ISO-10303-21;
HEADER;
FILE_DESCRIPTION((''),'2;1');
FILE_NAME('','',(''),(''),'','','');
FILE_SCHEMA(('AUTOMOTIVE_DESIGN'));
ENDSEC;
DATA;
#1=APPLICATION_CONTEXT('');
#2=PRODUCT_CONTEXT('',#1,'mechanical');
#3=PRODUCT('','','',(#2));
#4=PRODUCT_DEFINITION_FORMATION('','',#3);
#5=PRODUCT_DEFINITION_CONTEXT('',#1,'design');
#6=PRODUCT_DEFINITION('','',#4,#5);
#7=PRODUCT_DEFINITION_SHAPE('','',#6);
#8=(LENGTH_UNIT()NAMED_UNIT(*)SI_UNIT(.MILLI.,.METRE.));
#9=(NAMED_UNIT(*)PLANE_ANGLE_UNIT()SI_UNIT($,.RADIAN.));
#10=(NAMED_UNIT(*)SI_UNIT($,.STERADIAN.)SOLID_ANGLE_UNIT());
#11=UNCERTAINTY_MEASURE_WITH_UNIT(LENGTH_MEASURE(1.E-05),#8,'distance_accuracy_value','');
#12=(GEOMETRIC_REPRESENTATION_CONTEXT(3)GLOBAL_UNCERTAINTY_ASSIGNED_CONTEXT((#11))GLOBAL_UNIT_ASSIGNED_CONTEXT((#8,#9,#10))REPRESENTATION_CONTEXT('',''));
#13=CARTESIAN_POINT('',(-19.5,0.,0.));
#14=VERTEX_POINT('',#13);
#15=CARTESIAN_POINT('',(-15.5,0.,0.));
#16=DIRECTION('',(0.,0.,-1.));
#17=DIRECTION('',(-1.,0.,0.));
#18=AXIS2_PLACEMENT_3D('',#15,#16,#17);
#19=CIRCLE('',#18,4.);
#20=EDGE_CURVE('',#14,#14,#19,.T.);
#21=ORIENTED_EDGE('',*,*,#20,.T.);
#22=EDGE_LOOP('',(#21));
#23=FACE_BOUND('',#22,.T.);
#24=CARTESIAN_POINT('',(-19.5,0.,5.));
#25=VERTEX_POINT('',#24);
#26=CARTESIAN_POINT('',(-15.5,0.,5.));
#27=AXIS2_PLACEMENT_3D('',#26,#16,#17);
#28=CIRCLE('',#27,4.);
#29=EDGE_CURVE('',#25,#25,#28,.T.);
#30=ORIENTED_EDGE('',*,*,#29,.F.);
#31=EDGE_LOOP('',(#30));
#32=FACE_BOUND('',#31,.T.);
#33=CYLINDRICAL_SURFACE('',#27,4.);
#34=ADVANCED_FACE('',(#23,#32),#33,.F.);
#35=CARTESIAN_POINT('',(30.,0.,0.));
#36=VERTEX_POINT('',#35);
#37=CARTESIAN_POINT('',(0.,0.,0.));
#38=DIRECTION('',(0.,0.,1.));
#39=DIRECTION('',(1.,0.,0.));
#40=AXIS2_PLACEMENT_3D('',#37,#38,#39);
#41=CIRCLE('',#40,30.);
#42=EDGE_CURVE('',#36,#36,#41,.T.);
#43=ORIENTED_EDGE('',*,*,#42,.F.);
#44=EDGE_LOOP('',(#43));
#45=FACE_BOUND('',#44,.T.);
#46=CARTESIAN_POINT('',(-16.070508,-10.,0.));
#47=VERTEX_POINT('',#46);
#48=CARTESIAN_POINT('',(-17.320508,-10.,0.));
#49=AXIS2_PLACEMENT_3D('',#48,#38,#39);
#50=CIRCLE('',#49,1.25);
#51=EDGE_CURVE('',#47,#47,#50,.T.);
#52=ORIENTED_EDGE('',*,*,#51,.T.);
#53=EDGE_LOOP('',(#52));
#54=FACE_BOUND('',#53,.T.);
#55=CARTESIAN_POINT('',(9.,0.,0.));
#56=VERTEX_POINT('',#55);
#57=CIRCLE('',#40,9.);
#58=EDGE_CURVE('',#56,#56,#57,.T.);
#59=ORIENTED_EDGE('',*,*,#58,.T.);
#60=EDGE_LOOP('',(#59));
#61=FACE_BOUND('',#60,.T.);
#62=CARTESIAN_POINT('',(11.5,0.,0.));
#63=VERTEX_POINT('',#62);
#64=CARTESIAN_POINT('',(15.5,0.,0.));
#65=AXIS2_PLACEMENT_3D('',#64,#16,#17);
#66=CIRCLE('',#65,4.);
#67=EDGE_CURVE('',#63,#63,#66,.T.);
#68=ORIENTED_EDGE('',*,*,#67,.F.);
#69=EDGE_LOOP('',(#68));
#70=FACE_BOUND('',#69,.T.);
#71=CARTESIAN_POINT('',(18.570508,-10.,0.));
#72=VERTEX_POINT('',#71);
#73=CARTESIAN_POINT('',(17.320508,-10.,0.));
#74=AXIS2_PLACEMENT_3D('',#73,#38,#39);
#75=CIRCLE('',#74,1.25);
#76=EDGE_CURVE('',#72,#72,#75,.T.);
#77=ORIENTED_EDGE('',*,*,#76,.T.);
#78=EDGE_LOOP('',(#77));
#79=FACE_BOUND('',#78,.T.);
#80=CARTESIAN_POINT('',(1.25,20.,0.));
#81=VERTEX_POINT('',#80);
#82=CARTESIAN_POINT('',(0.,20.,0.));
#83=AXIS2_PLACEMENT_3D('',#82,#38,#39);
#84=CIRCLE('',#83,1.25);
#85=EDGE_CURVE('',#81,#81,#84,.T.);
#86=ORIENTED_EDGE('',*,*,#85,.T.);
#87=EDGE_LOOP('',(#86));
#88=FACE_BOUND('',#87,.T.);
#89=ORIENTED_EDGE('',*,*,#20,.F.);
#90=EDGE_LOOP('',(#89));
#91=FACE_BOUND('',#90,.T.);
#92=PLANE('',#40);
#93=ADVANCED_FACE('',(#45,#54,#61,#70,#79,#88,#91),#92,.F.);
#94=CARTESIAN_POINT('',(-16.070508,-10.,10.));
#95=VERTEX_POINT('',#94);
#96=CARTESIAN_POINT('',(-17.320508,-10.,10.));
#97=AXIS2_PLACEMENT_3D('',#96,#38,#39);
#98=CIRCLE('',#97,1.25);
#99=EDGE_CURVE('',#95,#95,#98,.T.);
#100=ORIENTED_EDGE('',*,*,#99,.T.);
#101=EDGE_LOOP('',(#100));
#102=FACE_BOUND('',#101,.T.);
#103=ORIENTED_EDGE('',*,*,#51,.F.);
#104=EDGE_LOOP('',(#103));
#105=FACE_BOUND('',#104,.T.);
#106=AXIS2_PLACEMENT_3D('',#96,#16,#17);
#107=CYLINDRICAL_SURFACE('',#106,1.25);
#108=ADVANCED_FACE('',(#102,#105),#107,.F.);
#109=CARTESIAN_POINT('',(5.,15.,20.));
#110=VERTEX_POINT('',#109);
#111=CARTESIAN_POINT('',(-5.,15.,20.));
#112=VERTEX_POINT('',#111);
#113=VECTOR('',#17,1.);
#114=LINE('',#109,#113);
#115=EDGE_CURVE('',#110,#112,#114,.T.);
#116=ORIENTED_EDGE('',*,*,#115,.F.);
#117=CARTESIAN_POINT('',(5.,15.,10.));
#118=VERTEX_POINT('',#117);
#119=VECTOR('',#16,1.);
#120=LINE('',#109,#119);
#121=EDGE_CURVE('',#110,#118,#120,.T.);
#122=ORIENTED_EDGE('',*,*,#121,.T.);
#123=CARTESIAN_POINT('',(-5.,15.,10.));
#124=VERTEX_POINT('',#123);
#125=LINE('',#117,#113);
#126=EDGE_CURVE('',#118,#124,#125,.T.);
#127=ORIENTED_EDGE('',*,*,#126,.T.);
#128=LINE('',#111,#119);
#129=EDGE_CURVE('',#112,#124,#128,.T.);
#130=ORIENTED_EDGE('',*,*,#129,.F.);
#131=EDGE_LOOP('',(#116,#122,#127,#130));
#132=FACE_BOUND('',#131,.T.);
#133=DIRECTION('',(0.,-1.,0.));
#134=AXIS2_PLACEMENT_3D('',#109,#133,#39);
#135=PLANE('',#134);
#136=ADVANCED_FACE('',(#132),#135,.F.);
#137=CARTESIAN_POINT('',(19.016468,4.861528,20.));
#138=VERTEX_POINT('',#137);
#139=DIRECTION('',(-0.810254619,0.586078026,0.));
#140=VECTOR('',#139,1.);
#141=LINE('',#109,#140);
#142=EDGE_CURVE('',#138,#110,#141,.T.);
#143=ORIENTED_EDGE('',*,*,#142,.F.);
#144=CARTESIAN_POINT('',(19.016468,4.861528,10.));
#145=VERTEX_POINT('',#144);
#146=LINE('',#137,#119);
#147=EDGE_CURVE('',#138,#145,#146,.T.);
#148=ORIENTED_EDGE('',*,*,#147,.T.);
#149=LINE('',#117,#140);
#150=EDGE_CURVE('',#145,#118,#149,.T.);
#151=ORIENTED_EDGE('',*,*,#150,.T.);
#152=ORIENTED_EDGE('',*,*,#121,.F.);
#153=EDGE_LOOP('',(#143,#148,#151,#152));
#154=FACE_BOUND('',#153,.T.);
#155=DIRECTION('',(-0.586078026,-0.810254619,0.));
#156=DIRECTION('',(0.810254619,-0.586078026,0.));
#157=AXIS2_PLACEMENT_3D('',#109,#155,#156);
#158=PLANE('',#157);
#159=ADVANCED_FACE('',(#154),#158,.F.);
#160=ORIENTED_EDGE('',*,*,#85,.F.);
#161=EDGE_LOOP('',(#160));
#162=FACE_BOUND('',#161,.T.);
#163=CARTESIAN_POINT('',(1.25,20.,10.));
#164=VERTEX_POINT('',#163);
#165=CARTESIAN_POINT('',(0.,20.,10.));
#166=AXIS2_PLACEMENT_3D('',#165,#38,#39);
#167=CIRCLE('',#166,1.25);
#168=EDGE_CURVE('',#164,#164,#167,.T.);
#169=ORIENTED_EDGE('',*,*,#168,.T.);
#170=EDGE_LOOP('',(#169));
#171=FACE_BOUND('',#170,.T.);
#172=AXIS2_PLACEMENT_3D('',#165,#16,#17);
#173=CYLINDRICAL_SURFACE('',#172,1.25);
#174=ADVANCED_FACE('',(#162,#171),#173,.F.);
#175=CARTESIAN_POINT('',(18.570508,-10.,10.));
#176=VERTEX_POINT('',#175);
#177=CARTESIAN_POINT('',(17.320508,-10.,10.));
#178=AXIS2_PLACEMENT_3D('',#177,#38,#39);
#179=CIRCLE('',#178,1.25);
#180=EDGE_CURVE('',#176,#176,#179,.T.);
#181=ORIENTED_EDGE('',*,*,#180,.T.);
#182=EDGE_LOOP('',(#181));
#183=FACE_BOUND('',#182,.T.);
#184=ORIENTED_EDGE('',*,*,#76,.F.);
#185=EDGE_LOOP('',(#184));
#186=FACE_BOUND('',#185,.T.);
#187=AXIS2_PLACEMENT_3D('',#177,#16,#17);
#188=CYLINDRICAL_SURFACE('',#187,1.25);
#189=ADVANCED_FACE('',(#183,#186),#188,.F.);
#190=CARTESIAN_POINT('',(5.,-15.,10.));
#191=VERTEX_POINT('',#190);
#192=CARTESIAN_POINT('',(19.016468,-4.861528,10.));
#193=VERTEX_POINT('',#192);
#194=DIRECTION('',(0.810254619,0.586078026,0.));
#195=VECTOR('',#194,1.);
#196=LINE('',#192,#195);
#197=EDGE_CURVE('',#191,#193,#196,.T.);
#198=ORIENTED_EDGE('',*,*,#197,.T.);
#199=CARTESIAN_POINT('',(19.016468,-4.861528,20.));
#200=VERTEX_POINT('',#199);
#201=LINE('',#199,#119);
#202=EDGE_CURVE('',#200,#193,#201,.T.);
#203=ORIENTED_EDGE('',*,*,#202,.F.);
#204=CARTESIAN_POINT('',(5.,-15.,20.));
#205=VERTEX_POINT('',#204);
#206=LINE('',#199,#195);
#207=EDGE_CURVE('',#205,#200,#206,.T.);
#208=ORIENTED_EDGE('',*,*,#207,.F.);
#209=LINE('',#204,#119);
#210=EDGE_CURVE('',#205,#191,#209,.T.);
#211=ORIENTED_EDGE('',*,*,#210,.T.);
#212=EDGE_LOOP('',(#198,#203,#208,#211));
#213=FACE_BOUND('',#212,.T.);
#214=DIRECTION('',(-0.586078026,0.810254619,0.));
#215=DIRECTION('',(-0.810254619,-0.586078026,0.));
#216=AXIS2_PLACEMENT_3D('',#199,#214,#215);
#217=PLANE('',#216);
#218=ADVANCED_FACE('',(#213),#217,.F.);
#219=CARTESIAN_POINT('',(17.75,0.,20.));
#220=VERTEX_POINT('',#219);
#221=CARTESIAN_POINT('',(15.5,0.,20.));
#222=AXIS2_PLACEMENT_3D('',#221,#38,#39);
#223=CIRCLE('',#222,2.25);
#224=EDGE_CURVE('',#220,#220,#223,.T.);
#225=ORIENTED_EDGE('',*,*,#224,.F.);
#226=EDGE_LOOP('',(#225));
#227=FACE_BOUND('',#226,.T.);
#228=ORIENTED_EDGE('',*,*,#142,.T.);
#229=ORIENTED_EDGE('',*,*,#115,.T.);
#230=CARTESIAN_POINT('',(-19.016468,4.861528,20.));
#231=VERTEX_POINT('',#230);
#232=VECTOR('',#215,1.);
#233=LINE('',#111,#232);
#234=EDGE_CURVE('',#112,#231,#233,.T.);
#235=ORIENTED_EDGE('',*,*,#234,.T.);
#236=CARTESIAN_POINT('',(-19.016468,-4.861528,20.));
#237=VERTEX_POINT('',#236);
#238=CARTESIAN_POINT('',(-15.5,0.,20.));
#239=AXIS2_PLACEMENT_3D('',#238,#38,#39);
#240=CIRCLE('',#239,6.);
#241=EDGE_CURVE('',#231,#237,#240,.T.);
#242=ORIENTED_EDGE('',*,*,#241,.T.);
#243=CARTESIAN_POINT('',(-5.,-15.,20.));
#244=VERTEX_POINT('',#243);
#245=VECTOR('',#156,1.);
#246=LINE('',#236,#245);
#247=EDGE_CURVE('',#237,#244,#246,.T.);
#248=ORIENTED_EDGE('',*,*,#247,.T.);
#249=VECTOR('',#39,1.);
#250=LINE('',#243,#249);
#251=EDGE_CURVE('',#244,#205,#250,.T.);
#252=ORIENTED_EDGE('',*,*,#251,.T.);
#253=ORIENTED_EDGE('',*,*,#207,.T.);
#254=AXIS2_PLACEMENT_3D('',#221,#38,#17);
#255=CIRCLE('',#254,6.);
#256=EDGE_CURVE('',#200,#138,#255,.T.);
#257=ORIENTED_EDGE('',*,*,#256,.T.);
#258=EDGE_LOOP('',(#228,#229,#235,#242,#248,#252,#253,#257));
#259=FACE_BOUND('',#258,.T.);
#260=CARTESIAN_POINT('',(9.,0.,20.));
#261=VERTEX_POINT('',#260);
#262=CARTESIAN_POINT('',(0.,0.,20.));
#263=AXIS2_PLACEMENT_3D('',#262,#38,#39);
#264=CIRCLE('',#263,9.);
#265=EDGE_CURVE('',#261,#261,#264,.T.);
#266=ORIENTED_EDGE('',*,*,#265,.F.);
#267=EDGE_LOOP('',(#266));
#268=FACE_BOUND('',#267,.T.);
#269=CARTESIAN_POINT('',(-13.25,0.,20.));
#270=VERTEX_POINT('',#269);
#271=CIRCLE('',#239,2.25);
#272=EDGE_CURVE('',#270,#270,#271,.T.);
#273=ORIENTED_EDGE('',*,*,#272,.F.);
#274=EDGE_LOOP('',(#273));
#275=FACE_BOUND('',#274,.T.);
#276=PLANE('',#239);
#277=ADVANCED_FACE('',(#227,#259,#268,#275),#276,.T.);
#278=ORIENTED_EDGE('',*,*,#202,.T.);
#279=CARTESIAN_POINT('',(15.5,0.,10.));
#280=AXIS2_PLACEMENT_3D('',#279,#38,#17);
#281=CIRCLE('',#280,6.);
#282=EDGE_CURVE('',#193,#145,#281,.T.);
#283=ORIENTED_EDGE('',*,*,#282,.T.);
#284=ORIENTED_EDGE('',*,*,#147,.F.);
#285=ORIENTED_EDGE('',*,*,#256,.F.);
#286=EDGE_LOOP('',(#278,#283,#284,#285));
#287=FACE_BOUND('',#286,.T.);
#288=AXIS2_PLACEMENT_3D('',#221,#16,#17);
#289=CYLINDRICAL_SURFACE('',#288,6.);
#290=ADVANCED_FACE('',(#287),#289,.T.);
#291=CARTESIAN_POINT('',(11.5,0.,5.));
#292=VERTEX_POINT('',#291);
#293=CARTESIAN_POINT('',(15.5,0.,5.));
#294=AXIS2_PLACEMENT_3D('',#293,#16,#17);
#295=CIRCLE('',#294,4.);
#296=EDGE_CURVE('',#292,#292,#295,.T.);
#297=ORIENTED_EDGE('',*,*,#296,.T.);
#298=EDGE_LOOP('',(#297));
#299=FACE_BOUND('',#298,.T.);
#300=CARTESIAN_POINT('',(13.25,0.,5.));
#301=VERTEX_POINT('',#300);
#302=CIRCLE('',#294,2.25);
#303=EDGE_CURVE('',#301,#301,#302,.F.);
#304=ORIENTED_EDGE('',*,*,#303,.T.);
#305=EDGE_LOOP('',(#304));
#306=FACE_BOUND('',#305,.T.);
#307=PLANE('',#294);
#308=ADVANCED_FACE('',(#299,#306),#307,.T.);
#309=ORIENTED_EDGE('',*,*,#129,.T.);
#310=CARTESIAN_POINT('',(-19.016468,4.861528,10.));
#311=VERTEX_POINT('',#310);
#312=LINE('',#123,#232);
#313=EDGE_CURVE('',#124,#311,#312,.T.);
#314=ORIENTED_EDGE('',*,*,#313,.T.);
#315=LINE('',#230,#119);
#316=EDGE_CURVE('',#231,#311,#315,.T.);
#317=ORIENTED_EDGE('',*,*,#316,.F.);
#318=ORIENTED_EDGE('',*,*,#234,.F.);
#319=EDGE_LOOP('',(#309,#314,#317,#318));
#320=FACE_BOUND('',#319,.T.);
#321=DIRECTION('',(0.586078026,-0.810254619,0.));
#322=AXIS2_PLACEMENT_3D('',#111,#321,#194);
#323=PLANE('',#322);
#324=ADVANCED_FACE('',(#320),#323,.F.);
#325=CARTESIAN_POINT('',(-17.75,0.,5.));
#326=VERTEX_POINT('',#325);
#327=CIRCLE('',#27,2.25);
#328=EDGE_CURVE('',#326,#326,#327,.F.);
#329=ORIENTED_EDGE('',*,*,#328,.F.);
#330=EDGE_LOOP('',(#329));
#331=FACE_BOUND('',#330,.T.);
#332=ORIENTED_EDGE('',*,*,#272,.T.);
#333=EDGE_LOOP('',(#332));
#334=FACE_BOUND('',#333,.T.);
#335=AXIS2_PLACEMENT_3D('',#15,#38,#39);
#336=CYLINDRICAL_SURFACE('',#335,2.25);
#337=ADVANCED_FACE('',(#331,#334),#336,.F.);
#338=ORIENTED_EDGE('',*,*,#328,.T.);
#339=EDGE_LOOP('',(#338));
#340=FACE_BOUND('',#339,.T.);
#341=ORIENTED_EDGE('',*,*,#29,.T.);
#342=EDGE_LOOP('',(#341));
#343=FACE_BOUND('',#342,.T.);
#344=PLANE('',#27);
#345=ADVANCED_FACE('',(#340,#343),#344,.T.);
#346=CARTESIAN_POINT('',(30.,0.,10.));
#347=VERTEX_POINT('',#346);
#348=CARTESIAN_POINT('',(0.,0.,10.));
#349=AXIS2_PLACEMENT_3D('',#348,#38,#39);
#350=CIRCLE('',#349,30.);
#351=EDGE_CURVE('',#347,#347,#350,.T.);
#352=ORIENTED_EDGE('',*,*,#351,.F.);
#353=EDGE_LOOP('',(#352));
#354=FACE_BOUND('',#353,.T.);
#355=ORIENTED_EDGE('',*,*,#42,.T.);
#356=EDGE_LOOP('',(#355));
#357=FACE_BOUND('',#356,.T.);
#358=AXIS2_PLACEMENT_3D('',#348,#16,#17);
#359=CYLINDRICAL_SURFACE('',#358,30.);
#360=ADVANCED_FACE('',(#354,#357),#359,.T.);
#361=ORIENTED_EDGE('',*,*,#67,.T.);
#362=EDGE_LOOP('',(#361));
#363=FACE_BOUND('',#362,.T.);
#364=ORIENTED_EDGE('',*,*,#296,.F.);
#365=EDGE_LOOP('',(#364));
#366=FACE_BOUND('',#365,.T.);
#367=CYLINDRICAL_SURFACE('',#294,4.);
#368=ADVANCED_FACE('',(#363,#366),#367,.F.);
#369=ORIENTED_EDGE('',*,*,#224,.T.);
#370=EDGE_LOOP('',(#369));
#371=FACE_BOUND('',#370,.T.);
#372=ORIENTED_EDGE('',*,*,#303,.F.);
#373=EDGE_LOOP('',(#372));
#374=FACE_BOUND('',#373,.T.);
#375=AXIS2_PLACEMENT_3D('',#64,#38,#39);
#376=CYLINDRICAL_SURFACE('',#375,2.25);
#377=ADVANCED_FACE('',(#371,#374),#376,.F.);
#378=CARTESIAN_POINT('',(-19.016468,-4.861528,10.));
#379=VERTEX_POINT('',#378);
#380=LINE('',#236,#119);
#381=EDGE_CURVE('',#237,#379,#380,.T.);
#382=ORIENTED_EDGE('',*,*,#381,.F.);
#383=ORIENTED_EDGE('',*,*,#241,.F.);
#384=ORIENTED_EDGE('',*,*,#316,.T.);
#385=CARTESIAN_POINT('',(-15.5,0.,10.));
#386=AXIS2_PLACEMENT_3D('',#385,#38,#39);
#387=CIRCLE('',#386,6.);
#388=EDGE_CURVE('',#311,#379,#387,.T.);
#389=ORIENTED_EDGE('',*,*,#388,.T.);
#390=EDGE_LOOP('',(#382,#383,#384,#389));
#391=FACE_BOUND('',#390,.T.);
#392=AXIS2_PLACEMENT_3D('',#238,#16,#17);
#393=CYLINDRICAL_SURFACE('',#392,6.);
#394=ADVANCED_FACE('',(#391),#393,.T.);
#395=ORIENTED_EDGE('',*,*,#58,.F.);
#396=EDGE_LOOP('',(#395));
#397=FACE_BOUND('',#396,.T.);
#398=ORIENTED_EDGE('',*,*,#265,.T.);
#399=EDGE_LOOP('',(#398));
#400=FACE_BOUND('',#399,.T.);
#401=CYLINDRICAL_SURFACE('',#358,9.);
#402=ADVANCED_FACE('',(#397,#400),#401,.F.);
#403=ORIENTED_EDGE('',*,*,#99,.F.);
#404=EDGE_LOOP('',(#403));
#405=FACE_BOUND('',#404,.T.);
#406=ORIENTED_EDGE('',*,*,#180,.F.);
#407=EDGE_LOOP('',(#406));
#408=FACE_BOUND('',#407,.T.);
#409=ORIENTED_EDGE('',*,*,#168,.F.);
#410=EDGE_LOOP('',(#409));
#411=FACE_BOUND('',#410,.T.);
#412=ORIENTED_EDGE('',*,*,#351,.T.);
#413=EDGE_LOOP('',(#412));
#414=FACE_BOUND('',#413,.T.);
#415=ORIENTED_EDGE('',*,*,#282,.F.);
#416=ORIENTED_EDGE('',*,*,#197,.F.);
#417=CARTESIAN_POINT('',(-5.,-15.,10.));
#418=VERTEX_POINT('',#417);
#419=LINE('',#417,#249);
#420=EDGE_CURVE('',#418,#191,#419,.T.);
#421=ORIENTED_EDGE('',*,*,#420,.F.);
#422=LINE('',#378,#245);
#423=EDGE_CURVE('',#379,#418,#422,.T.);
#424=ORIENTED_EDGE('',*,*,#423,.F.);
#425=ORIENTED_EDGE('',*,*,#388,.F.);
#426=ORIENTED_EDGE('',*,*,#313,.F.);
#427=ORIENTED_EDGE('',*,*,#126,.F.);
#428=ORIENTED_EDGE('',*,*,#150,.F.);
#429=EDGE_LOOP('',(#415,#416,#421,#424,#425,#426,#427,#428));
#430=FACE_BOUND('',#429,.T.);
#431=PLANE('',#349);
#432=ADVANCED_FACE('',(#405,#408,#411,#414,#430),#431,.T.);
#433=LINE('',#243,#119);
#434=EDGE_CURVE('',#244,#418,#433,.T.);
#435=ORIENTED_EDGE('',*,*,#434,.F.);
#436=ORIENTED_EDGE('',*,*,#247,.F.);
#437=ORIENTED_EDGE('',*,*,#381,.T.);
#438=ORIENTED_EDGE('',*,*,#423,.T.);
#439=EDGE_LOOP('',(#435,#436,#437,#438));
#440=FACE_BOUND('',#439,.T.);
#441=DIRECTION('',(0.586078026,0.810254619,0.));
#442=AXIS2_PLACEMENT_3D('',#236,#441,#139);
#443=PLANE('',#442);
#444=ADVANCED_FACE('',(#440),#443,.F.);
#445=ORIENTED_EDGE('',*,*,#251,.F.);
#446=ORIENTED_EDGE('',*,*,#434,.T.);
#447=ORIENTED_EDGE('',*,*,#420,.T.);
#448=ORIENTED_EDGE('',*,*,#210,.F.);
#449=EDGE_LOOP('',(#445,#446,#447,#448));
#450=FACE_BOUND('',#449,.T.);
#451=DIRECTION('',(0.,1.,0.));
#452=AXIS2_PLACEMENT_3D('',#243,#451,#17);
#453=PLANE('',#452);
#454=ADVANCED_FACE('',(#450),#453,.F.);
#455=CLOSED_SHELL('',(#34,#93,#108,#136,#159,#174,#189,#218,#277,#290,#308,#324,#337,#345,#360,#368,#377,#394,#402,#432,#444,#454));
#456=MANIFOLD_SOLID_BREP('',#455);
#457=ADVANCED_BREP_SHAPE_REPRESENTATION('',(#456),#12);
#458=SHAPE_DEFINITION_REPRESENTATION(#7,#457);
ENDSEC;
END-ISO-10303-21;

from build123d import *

# Parameters (mm, degrees)
SKETCH_1_R               = 30
SKETCH_1_R_2             = 9
SKETCH_1_R_3             = 1.25
EXTRUDE_1_DEPTH          = 10
SKETCH_3_R               = 9
EXTRUDE_2_DEPTH          = 10
CUT_EXTRUDE_1_DEPTH      = 44.588989435
CUT_EXTRUDE_1_DEPTH_BACK = 44.588989435
SKETCH_2_R               = 2.25
SKETCH_4_R               = 4
CUT_EXTRUDE_2_DEPTH      = 5


with BuildPart() as part:
    # 草图1 → 凸台-拉伸1 (new body)
    with BuildSketch(Plane.XY):
        Circle(SKETCH_1_R)
        Circle(SKETCH_1_R_2, mode=Mode.SUBTRACT)
        with Locations((0, 20)):
            Circle(SKETCH_1_R_3, mode=Mode.SUBTRACT)
        with Locations((17.320508076, -10)):
            Circle(SKETCH_1_R_3, mode=Mode.SUBTRACT)
        with Locations((-17.320508076, -10)):
            Circle(SKETCH_1_R_3, mode=Mode.SUBTRACT)
    extrude(amount=EXTRUDE_1_DEPTH)

    # 草图3 → 凸台-拉伸2 (add)
    with BuildSketch(Plane.XY.offset(10)):
        with BuildLine():
            Line((5, 15), (-5, 15))
            Line((-5, 15), (-19.016468159, 4.861527711))
            ThreePointArc((-19.016468159, 4.861527711), (-21.5, 0), (-19.016468159, -4.861527711))
            Line((-19.016468159, -4.861527711), (-5, -15))
            Line((-5, -15), (5, -15))
            Line((5, -15), (19.016468159, -4.861527711))
            ThreePointArc((19.016468159, -4.861527711), (21.5, 0), (19.016468159, 4.861527711))
            Line((19.016468159, 4.861527711), (5, 15))
        make_face()
        Circle(SKETCH_3_R, mode=Mode.SUBTRACT)
    extrude(amount=EXTRUDE_2_DEPTH)

    # 草图2 → 切除-拉伸1 (cut, two sides: drawn at the far end of the back side and taken through both)
    with BuildSketch(Plane.XY.offset(10).offset(-CUT_EXTRUDE_1_DEPTH_BACK)):
        with Locations((-15.5, 0)):
            Circle(SKETCH_2_R)
        with Locations((15.5, 0)):
            Circle(SKETCH_2_R)
    extrude(amount=CUT_EXTRUDE_1_DEPTH + CUT_EXTRUDE_1_DEPTH_BACK, mode=Mode.SUBTRACT)

    # 草图4 → 切除-拉伸2 (cut)
    with BuildSketch(Plane(origin=(0, 0, 0), x_dir=(-1, 0, 0), z_dir=(0, 0, -1))):
        with Locations((-15.5, 0)):
            Circle(SKETCH_4_R)
        with Locations((15.5, 0)):
            Circle(SKETCH_4_R)
    extrude(amount=-CUT_EXTRUDE_2_DEPTH, mode=Mode.SUBTRACT)


solid = part.part
